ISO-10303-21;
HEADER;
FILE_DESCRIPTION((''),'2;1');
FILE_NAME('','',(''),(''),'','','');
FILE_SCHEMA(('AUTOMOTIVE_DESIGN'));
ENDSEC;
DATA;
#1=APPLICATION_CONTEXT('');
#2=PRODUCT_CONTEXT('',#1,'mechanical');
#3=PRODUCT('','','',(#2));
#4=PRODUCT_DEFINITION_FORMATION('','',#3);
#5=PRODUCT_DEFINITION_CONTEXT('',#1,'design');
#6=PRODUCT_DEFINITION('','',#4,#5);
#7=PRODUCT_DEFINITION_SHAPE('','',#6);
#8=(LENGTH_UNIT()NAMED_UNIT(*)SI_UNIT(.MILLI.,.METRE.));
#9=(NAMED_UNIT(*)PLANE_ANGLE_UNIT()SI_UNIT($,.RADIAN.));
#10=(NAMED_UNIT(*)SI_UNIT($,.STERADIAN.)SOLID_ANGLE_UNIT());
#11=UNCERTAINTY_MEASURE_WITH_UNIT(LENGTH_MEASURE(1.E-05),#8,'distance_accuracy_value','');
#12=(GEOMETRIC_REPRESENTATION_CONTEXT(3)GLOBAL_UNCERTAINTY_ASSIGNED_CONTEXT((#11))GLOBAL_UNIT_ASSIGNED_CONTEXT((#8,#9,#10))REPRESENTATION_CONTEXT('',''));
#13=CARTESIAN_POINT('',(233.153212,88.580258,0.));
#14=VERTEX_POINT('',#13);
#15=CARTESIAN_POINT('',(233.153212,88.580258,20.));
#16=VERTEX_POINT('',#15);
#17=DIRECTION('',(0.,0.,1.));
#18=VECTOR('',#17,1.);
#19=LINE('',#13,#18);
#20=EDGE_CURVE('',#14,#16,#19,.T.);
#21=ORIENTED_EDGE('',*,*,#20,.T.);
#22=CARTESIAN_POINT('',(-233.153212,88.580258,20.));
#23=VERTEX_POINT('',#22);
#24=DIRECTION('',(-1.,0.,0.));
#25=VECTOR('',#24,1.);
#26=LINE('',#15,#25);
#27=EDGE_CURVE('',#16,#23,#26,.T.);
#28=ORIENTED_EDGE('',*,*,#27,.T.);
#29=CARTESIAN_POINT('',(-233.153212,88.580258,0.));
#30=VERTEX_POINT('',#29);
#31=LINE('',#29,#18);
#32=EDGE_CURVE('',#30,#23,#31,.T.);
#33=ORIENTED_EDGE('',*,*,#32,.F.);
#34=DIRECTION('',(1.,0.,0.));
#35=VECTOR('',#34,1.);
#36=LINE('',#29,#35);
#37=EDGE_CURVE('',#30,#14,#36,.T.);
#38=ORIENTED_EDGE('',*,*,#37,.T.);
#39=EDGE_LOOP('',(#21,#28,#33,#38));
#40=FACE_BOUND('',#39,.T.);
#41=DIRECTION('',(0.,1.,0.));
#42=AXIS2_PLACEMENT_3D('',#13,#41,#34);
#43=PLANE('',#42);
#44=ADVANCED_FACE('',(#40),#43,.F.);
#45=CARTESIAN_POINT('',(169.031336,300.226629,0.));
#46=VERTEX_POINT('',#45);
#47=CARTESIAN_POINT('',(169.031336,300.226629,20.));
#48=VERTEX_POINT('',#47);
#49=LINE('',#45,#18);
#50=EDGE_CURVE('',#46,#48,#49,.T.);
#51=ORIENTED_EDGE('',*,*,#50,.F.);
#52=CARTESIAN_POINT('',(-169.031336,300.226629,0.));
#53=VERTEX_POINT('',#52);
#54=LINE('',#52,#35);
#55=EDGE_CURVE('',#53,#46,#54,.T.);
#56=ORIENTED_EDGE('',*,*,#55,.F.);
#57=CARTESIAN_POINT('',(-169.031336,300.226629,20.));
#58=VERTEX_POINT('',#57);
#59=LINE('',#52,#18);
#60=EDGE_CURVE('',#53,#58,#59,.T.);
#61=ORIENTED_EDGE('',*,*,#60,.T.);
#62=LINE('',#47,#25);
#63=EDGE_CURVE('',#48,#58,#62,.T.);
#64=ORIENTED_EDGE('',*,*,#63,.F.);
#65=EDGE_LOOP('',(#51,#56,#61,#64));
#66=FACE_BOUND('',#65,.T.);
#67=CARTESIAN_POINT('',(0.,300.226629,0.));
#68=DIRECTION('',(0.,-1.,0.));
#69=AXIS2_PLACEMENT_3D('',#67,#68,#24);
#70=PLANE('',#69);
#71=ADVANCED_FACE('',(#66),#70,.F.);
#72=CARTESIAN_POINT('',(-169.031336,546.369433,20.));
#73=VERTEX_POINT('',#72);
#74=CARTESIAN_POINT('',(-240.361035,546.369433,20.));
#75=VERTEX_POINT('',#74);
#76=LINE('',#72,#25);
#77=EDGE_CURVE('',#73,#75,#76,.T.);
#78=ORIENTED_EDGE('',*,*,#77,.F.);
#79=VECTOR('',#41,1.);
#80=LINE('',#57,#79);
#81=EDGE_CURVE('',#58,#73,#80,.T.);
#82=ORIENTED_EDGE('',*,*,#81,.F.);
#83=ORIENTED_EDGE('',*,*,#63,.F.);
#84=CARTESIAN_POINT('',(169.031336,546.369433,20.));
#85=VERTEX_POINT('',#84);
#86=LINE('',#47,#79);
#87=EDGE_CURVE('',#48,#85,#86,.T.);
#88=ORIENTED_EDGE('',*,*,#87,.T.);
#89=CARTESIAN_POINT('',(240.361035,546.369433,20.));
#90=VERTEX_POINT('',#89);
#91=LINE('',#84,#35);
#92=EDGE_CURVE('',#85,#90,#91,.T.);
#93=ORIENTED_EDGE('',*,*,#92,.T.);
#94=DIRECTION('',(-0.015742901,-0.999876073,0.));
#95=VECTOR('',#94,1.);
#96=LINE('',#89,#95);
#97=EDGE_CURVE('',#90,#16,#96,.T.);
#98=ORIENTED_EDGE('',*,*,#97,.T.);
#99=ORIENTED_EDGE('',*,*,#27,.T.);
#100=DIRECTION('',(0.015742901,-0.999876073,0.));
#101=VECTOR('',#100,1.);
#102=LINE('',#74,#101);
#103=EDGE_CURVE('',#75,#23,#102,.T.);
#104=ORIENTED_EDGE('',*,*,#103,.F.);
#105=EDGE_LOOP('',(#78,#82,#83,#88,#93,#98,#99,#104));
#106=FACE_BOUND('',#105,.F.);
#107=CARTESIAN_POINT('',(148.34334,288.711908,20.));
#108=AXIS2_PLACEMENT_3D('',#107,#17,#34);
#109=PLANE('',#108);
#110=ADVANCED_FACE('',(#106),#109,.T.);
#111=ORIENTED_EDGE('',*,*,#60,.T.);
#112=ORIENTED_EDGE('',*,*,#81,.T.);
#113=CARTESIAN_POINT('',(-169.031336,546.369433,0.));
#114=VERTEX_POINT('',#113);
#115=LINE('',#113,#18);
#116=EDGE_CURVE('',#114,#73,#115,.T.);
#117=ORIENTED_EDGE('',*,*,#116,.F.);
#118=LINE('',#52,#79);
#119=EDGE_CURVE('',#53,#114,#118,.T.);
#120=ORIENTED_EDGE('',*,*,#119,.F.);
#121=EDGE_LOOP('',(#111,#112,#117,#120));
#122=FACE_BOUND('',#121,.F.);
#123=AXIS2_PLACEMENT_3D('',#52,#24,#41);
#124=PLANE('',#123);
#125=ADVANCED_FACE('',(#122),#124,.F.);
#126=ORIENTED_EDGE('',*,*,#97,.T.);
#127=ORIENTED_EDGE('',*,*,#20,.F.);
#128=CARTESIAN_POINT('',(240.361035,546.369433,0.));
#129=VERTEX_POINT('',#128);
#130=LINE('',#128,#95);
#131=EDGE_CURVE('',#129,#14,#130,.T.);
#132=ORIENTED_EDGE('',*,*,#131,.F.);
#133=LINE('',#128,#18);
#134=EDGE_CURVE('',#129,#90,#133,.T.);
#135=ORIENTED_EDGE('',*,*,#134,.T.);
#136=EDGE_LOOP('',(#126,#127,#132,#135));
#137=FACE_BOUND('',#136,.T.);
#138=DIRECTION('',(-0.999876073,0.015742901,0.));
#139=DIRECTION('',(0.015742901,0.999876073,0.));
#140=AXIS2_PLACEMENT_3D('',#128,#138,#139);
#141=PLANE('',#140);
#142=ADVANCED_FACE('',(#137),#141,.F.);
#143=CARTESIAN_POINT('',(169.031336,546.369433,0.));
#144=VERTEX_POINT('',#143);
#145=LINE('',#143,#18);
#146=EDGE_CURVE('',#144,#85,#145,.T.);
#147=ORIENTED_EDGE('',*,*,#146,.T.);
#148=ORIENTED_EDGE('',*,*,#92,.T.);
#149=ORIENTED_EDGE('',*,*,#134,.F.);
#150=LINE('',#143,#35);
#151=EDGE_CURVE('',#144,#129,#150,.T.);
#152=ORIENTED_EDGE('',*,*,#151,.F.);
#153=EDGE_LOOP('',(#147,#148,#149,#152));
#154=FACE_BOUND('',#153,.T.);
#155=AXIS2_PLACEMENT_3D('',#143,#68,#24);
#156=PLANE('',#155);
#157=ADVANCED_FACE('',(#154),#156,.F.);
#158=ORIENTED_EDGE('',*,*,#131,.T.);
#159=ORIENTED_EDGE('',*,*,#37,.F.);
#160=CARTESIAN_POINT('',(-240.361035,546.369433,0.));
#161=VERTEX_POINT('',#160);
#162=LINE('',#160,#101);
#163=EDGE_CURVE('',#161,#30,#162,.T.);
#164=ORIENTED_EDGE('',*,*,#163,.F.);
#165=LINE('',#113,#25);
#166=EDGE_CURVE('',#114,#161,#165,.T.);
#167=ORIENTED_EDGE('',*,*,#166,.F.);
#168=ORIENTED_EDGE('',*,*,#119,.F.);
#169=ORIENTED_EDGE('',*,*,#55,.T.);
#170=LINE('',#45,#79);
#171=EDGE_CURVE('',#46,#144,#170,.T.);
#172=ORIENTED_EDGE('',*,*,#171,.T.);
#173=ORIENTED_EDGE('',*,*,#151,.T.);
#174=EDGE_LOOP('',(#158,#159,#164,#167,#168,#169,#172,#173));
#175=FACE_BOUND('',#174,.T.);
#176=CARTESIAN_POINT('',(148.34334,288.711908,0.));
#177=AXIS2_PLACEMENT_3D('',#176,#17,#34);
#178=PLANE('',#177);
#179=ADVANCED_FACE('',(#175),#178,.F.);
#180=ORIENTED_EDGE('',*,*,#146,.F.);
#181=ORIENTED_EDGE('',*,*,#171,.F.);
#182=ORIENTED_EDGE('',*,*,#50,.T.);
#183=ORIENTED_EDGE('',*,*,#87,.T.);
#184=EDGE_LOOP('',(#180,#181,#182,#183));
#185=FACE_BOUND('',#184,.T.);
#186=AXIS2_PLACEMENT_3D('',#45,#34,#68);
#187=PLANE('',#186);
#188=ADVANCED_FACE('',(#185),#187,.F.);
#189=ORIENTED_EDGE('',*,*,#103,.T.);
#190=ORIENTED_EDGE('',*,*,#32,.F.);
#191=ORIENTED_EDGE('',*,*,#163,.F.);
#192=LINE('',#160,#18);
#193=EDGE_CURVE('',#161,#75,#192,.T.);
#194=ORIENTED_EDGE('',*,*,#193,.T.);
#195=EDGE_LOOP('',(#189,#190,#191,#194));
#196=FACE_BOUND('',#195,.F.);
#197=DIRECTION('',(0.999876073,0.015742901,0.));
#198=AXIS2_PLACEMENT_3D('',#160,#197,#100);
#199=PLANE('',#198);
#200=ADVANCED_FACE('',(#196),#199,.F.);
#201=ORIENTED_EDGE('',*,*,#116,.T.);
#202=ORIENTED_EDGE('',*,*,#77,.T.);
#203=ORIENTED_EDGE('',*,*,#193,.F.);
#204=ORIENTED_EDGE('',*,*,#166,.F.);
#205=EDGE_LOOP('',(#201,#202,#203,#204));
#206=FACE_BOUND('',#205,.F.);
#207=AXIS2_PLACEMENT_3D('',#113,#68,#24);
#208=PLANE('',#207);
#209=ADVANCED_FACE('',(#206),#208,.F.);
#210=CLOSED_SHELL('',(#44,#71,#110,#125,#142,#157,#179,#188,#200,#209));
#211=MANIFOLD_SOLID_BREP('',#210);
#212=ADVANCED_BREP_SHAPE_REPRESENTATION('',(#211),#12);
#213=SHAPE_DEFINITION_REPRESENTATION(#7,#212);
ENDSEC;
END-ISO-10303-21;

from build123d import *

# Parameters (mm, degrees)
F1_DEPTH = 20


with BuildPart() as f1:
    # F0 (on Top) → F1 (new body)
    with BuildSketch(Plane.XY):
        Polygon((-233.153212, 88.580258), (0, 88.580258), (0, 300.226629), (-169.031336, 300.226629), (-169.031336, 546.369433), (-240.361035, 546.369433), align=None)
    extrude(amount=F1_DEPTH)

    # F2: F1 across plane


with BuildPart() as f1_1:
    add(f1.part)
    add(f1.part.mirror(Plane.YZ))


solid = f1_1.part
